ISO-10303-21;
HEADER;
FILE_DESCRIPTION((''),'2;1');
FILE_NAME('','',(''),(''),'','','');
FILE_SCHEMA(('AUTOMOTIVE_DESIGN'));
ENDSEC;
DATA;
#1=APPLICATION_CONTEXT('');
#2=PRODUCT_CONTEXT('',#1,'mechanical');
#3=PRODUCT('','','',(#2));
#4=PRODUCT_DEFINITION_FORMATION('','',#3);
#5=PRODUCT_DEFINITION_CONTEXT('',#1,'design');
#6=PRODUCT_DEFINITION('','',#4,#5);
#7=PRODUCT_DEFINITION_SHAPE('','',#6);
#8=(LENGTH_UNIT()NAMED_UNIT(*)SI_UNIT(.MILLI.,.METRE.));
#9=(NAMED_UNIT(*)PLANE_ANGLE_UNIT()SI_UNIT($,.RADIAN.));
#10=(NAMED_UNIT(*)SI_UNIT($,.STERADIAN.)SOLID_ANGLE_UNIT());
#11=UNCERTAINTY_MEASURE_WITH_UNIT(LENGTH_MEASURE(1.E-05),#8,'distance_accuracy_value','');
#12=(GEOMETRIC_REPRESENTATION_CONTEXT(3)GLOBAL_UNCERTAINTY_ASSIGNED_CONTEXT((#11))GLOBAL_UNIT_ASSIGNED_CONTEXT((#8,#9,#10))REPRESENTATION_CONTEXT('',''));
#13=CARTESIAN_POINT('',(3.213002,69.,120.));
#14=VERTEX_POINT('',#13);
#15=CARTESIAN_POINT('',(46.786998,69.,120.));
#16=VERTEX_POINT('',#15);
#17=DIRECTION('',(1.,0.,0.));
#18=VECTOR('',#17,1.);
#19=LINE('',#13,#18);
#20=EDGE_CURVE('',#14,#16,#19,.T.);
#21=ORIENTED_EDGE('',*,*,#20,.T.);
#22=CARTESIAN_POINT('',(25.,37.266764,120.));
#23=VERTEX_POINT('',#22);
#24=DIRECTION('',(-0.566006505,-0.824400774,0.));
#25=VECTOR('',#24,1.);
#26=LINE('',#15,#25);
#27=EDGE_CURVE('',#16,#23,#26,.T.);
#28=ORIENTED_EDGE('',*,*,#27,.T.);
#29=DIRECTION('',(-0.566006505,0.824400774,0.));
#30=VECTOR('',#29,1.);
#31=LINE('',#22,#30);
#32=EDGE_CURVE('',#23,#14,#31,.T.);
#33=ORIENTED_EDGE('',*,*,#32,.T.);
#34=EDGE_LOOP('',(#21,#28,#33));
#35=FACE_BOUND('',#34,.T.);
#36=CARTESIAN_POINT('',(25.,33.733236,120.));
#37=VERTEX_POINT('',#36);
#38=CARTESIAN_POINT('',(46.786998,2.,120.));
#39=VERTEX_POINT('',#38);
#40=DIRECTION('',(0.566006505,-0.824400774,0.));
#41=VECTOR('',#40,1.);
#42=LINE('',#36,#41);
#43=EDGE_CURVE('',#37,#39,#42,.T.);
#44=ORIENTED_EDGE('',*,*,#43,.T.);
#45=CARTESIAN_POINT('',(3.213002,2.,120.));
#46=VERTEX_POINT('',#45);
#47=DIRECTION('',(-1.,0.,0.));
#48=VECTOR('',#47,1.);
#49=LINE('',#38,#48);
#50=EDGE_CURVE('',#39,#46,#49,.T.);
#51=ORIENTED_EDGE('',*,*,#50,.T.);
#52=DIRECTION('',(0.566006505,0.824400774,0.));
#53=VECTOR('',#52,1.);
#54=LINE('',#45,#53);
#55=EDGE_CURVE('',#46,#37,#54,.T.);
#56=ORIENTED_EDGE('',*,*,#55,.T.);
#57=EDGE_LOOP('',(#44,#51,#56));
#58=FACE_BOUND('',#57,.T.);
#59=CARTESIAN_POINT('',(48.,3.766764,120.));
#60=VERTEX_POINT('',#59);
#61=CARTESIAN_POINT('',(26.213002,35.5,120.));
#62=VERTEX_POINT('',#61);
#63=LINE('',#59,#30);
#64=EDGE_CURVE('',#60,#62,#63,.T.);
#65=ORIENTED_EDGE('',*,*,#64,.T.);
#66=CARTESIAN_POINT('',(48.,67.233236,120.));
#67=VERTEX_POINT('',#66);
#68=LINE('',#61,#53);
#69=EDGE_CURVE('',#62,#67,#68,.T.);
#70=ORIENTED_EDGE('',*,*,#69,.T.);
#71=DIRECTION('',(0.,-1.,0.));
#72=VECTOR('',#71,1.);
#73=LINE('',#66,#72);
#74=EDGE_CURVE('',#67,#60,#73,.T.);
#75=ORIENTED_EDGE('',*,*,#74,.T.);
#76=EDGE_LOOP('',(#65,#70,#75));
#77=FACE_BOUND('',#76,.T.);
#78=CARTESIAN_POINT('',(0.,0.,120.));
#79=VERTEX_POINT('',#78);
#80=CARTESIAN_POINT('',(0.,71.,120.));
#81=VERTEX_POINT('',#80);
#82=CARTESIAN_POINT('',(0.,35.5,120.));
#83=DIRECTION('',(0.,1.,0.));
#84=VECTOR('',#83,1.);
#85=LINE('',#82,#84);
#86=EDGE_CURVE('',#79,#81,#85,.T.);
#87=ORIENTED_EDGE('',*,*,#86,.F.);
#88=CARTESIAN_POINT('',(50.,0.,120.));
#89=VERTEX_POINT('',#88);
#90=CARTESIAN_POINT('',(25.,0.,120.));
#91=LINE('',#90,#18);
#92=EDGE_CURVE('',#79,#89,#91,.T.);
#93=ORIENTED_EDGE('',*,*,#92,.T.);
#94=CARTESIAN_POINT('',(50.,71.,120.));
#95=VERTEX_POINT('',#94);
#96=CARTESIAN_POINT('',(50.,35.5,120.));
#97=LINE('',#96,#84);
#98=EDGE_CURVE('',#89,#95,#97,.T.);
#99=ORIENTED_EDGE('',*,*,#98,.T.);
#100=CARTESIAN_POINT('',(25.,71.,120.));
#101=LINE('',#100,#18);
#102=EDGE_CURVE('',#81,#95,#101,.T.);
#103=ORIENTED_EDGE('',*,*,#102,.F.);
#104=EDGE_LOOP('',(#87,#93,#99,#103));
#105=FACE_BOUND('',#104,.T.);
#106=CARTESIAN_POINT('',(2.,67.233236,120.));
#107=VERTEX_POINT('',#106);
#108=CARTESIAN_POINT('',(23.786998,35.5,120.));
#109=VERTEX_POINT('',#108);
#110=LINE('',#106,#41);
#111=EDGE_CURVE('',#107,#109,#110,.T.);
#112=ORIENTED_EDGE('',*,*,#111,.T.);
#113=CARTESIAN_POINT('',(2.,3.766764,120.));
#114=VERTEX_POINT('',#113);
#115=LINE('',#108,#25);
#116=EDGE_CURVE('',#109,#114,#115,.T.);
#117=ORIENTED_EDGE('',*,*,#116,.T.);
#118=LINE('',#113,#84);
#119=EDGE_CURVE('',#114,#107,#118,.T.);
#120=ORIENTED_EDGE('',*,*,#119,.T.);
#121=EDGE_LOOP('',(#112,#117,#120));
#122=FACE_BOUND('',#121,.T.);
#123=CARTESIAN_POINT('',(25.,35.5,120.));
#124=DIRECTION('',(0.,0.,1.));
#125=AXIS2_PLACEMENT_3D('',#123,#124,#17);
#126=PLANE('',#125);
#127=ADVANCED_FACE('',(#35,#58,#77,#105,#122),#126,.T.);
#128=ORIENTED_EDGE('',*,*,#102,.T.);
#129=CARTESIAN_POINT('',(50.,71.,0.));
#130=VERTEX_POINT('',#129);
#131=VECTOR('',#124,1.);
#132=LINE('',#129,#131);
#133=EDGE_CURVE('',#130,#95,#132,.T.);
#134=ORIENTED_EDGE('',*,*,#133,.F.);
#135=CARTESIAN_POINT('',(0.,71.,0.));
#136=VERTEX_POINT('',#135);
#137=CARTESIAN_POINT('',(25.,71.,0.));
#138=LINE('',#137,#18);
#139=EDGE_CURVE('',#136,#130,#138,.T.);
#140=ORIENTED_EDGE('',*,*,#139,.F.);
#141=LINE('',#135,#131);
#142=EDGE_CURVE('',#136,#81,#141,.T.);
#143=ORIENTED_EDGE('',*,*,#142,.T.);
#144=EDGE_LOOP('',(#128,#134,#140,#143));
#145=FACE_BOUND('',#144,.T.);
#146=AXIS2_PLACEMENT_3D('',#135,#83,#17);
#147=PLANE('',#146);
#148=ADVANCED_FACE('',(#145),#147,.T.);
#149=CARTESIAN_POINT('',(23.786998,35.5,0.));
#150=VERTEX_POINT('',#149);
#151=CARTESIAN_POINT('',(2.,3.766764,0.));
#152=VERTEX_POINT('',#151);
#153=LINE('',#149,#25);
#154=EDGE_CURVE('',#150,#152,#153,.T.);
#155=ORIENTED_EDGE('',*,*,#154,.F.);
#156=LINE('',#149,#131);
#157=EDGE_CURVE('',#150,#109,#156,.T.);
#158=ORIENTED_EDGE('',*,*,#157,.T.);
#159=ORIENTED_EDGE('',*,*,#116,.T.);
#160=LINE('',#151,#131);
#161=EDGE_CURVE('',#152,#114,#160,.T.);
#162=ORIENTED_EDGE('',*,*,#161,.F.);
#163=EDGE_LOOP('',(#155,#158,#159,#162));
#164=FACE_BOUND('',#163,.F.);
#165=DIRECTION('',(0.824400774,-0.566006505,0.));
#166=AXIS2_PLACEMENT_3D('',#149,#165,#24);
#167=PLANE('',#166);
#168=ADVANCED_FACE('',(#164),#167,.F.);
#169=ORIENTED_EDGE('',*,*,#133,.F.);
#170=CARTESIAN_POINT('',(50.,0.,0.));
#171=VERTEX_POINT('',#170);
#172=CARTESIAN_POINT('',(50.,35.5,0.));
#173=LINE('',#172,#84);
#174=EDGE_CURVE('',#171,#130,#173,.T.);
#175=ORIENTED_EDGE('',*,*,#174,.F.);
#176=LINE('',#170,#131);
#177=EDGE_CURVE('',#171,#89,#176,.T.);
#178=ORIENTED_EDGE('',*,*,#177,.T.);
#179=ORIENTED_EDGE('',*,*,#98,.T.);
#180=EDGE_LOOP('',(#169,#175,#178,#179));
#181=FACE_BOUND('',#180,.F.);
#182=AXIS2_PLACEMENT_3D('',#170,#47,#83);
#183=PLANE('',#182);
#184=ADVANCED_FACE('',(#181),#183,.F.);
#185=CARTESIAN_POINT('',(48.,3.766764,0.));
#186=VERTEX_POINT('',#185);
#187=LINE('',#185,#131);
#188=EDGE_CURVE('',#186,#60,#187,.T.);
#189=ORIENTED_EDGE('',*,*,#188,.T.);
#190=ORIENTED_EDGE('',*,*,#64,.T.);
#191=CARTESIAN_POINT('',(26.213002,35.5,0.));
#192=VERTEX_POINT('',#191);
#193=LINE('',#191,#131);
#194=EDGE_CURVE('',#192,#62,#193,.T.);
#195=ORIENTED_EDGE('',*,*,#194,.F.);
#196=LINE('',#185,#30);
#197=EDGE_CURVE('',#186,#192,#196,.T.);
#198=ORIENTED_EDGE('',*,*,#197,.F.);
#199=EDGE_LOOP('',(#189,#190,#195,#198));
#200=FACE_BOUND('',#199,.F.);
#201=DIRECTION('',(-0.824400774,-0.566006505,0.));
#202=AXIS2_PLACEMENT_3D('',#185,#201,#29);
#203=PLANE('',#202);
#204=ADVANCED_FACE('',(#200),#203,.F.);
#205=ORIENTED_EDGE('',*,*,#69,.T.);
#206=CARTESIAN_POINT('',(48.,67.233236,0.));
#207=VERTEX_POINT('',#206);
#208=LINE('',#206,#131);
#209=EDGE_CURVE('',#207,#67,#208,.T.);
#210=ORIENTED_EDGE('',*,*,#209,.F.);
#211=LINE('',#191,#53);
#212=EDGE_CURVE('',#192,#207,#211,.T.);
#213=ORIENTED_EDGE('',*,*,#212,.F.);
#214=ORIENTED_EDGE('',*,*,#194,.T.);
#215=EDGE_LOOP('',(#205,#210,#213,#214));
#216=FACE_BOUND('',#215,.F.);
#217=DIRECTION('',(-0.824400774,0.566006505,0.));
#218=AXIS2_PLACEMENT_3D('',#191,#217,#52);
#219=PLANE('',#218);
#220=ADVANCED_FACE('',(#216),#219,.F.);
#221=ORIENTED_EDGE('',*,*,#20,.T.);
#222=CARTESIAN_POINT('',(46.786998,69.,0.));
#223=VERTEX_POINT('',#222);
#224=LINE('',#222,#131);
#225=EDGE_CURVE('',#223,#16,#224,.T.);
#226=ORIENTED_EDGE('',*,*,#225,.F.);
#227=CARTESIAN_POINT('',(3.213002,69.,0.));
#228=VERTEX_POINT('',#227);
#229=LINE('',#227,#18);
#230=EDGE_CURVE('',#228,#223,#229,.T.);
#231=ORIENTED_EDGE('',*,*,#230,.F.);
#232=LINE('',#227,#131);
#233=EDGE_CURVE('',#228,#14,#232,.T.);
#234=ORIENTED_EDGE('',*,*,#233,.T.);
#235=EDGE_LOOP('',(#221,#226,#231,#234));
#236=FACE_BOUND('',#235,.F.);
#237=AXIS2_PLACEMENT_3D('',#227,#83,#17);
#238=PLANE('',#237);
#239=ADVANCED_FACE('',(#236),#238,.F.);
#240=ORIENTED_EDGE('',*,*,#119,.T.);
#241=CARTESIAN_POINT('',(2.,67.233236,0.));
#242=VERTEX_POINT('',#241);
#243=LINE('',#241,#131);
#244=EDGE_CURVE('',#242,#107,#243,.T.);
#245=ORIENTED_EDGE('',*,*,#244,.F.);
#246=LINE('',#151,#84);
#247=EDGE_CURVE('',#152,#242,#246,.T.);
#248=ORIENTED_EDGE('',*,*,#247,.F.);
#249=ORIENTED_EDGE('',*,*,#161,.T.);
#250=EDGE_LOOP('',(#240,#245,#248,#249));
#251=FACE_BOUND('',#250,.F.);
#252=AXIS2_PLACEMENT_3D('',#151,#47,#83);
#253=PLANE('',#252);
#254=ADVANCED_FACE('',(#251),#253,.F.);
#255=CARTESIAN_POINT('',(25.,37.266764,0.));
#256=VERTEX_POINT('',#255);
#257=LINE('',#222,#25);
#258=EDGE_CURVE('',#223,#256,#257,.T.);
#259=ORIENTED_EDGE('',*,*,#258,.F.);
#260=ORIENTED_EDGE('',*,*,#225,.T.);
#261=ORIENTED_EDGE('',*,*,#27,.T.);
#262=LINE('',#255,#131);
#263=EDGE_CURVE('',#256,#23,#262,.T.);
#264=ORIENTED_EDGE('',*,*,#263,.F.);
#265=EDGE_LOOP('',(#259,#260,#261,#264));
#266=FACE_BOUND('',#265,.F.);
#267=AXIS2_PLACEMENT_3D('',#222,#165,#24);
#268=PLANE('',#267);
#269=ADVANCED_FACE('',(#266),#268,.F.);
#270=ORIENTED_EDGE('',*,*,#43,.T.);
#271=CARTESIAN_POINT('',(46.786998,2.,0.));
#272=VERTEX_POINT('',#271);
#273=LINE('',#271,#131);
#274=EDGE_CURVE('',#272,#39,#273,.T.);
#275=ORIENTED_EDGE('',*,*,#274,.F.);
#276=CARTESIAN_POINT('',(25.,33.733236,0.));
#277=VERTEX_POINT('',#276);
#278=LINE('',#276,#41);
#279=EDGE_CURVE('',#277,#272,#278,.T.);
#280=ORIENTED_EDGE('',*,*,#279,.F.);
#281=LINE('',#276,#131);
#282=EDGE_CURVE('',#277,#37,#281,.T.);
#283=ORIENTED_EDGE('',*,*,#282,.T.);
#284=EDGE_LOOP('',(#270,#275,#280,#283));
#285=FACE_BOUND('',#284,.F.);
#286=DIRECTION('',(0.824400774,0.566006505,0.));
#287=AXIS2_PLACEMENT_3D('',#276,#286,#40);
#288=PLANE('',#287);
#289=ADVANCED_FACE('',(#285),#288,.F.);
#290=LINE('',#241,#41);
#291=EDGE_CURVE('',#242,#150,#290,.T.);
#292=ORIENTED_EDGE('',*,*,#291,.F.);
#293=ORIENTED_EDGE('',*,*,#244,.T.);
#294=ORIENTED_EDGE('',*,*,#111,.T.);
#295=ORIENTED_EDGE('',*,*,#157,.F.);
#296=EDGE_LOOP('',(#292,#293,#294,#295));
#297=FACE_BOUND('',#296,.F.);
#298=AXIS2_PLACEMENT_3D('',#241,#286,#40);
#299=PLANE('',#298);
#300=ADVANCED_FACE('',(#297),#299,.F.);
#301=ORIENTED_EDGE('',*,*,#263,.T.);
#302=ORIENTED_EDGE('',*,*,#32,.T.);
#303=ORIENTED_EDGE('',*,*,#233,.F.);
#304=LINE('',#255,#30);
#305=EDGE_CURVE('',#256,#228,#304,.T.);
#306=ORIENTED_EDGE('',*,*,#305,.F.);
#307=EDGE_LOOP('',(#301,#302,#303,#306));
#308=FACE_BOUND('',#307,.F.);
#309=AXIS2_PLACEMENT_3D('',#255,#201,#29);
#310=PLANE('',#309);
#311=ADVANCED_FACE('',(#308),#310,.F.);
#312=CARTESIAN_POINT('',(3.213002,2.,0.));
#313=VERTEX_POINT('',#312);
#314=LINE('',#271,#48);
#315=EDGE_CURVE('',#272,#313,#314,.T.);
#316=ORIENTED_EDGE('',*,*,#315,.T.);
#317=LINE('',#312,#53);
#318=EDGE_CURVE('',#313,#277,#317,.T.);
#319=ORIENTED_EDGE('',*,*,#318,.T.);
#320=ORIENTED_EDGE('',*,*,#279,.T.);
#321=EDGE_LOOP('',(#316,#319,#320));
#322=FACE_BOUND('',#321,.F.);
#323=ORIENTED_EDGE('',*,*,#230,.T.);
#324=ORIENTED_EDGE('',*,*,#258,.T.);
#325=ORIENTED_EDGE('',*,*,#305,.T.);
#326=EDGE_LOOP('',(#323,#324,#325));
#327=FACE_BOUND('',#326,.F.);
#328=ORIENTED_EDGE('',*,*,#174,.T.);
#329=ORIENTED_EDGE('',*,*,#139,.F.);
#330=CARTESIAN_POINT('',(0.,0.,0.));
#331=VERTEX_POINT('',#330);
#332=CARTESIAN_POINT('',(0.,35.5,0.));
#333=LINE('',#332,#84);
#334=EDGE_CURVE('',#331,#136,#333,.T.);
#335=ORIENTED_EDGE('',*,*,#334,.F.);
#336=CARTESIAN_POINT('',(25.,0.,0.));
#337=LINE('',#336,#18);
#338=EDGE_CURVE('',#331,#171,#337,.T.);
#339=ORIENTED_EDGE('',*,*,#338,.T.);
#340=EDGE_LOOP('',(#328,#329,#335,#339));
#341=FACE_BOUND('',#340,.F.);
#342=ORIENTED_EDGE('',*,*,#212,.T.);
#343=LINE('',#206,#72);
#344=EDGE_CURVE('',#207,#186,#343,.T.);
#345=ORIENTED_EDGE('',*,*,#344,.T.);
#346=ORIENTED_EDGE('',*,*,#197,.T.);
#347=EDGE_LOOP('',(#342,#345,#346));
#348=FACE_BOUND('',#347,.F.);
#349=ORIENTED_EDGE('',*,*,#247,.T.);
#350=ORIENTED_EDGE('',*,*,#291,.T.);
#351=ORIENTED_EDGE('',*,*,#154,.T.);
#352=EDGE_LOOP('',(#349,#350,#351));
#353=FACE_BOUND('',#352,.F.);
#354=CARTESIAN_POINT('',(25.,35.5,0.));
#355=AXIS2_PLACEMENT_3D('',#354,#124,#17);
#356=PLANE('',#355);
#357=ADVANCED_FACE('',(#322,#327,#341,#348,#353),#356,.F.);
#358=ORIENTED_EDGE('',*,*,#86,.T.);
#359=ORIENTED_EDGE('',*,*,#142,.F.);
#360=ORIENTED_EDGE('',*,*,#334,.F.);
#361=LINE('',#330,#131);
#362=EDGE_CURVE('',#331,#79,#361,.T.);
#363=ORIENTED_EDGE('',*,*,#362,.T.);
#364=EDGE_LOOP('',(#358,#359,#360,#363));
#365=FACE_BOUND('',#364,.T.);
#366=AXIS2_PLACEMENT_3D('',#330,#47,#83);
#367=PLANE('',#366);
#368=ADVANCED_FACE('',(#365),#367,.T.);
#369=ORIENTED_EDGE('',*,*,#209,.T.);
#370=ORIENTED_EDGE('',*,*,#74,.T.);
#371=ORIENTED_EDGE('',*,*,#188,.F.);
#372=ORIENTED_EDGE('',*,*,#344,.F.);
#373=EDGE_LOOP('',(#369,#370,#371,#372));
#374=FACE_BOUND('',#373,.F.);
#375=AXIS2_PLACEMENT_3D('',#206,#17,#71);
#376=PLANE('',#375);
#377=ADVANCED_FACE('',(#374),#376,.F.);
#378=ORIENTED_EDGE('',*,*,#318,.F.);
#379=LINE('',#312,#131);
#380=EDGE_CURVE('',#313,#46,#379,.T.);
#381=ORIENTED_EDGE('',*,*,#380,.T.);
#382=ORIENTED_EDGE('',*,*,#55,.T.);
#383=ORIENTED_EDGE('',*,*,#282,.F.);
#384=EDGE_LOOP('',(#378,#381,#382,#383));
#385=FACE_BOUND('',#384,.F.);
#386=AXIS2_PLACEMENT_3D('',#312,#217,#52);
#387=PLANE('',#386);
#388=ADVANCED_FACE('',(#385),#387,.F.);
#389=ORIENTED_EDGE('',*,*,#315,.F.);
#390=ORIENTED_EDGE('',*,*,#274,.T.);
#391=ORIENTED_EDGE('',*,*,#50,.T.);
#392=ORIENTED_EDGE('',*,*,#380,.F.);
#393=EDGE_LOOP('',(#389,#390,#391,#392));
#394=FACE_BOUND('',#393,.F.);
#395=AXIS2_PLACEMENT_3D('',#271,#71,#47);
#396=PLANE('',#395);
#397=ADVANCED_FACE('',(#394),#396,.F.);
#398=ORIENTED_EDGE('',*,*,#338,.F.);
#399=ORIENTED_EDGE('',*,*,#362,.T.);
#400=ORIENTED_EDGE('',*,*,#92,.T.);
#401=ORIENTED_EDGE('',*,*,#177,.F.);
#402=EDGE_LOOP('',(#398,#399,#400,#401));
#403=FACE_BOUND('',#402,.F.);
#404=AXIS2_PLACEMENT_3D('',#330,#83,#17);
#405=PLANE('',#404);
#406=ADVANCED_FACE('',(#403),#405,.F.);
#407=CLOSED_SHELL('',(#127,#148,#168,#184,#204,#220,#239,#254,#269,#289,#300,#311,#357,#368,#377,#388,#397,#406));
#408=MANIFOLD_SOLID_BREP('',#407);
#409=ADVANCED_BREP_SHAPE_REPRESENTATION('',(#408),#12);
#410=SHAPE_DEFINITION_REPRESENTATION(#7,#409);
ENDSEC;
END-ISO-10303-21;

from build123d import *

# Parameters (mm, degrees)
F0_W     = 50
F0_H     = 71
F1_DEPTH = 120


with BuildPart() as f1:
    # F0 (on Top) → F1 (new body)
    with BuildSketch(Plane.XY):
        with Locations((25, 35.5)):
            Rectangle(F0_W, F0_H)
        Polygon((46.786998, 2), (3.213002, 2), (25, 33.733236), align=None, mode=Mode.SUBTRACT)
        Polygon((48, 67.233236), (48, 3.766764), (26.213002, 35.5), align=None, mode=Mode.SUBTRACT)
        Polygon((23.786998, 35.5), (2, 3.766764), (2, 67.233236), align=None, mode=Mode.SUBTRACT)
        Polygon((25, 37.266764), (3.213002, 69), (46.786998, 69), align=None, mode=Mode.SUBTRACT)
    extrude(amount=F1_DEPTH)


solid = f1.part
